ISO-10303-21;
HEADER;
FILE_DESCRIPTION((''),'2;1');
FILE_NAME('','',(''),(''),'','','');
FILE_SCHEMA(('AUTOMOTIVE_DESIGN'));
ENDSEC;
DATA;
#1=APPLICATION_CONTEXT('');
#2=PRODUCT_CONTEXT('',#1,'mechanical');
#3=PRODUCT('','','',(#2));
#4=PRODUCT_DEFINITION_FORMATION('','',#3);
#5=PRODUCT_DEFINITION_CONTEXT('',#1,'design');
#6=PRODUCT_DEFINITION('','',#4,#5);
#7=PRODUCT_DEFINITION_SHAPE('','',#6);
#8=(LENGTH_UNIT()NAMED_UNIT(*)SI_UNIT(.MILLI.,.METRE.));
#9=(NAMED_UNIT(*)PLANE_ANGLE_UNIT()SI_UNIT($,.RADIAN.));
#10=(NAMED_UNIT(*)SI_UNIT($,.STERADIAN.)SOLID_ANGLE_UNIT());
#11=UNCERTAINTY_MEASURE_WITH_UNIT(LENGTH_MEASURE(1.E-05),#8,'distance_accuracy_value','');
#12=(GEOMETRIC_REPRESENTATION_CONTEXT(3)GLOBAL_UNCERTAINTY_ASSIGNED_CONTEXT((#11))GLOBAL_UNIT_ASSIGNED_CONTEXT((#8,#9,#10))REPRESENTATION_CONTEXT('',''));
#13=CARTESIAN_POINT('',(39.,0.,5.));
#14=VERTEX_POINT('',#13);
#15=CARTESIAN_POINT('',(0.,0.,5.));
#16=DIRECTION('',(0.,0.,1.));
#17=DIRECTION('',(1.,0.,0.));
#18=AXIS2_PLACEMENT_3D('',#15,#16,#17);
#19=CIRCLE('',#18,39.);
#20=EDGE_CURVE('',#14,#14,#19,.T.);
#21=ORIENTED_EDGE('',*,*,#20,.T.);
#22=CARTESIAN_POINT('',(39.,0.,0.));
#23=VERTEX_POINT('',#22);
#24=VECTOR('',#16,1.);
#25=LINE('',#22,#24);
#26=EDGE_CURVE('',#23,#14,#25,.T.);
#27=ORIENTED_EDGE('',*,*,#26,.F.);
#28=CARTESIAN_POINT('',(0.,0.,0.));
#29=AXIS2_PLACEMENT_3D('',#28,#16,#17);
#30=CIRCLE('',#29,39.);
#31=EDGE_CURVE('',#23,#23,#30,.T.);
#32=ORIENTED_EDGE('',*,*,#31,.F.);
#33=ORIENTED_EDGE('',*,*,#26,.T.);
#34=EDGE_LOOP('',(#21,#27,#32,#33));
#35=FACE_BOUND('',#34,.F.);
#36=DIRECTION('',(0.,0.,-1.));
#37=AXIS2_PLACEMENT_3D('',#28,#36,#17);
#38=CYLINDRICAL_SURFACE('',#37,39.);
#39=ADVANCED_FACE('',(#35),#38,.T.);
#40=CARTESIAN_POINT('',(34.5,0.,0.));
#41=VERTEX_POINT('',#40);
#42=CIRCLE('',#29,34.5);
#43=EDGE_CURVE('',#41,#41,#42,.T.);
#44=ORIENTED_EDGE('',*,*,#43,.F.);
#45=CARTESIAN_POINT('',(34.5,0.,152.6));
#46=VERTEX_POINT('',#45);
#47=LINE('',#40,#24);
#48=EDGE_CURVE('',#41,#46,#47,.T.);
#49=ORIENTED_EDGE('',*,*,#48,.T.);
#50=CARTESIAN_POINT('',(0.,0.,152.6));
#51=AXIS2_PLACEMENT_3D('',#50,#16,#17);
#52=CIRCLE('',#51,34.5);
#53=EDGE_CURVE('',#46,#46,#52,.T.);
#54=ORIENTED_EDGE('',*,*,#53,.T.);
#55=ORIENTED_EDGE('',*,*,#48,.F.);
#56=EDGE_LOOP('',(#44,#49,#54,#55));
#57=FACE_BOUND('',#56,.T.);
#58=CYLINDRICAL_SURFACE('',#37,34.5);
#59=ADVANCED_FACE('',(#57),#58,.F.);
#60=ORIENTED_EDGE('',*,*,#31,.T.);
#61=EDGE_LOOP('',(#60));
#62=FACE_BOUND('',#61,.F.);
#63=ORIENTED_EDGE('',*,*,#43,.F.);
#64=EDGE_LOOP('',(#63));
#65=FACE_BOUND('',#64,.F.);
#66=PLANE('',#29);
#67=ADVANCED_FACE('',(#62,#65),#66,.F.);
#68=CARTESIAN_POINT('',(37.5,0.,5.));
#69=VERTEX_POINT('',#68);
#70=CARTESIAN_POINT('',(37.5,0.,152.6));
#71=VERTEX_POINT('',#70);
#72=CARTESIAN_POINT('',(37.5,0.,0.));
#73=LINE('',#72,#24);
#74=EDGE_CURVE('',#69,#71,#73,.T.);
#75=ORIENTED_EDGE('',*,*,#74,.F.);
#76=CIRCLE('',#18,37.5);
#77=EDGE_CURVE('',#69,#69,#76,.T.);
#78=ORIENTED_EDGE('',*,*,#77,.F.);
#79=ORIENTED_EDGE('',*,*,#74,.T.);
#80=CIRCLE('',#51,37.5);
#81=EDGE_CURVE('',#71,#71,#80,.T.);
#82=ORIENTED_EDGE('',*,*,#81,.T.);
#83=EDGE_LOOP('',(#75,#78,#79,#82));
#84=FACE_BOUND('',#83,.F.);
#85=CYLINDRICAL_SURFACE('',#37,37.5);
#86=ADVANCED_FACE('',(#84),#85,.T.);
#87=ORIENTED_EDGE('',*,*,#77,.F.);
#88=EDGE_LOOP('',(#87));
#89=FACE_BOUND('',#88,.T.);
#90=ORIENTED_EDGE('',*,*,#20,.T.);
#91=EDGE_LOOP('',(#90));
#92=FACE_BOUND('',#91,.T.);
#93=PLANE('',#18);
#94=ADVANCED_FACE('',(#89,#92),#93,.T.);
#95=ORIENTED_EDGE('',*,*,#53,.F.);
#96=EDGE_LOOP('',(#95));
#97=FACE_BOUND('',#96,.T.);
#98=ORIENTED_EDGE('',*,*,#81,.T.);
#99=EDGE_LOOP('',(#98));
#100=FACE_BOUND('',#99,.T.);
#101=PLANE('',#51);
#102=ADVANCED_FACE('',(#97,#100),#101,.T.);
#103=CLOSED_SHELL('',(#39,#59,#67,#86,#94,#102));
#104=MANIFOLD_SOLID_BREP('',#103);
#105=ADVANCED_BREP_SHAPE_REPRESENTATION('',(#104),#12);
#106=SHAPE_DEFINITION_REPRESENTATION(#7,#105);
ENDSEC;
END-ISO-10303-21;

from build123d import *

# Parameters (mm, degrees)
F0_R     = 37.5
F1_DEPTH = 152.6
F2_T     = -3
F4_R     = 39
F4_R_2   = 37.5
F5_DEPTH = 5


with BuildPart() as f1:
    # F0 (on Top) → F1 (new body)
    with BuildSketch(Plane.XY):
        Circle(F0_R)
    extrude(amount=F1_DEPTH)

    # F2
    f2_openings = [f1.faces().sort_by_distance(p)[0] for p in [
        (0, 0, 152.6),
        (0, 0, 0),
    ]]
    offset(amount=F2_T, openings=f2_openings)

    # F4 (on Top) → F5 (join)
    with BuildSketch(Plane.XY):
        Circle(F4_R)
        Circle(F4_R_2, mode=Mode.SUBTRACT)
    extrude(amount=F5_DEPTH)


solid = f1.part
